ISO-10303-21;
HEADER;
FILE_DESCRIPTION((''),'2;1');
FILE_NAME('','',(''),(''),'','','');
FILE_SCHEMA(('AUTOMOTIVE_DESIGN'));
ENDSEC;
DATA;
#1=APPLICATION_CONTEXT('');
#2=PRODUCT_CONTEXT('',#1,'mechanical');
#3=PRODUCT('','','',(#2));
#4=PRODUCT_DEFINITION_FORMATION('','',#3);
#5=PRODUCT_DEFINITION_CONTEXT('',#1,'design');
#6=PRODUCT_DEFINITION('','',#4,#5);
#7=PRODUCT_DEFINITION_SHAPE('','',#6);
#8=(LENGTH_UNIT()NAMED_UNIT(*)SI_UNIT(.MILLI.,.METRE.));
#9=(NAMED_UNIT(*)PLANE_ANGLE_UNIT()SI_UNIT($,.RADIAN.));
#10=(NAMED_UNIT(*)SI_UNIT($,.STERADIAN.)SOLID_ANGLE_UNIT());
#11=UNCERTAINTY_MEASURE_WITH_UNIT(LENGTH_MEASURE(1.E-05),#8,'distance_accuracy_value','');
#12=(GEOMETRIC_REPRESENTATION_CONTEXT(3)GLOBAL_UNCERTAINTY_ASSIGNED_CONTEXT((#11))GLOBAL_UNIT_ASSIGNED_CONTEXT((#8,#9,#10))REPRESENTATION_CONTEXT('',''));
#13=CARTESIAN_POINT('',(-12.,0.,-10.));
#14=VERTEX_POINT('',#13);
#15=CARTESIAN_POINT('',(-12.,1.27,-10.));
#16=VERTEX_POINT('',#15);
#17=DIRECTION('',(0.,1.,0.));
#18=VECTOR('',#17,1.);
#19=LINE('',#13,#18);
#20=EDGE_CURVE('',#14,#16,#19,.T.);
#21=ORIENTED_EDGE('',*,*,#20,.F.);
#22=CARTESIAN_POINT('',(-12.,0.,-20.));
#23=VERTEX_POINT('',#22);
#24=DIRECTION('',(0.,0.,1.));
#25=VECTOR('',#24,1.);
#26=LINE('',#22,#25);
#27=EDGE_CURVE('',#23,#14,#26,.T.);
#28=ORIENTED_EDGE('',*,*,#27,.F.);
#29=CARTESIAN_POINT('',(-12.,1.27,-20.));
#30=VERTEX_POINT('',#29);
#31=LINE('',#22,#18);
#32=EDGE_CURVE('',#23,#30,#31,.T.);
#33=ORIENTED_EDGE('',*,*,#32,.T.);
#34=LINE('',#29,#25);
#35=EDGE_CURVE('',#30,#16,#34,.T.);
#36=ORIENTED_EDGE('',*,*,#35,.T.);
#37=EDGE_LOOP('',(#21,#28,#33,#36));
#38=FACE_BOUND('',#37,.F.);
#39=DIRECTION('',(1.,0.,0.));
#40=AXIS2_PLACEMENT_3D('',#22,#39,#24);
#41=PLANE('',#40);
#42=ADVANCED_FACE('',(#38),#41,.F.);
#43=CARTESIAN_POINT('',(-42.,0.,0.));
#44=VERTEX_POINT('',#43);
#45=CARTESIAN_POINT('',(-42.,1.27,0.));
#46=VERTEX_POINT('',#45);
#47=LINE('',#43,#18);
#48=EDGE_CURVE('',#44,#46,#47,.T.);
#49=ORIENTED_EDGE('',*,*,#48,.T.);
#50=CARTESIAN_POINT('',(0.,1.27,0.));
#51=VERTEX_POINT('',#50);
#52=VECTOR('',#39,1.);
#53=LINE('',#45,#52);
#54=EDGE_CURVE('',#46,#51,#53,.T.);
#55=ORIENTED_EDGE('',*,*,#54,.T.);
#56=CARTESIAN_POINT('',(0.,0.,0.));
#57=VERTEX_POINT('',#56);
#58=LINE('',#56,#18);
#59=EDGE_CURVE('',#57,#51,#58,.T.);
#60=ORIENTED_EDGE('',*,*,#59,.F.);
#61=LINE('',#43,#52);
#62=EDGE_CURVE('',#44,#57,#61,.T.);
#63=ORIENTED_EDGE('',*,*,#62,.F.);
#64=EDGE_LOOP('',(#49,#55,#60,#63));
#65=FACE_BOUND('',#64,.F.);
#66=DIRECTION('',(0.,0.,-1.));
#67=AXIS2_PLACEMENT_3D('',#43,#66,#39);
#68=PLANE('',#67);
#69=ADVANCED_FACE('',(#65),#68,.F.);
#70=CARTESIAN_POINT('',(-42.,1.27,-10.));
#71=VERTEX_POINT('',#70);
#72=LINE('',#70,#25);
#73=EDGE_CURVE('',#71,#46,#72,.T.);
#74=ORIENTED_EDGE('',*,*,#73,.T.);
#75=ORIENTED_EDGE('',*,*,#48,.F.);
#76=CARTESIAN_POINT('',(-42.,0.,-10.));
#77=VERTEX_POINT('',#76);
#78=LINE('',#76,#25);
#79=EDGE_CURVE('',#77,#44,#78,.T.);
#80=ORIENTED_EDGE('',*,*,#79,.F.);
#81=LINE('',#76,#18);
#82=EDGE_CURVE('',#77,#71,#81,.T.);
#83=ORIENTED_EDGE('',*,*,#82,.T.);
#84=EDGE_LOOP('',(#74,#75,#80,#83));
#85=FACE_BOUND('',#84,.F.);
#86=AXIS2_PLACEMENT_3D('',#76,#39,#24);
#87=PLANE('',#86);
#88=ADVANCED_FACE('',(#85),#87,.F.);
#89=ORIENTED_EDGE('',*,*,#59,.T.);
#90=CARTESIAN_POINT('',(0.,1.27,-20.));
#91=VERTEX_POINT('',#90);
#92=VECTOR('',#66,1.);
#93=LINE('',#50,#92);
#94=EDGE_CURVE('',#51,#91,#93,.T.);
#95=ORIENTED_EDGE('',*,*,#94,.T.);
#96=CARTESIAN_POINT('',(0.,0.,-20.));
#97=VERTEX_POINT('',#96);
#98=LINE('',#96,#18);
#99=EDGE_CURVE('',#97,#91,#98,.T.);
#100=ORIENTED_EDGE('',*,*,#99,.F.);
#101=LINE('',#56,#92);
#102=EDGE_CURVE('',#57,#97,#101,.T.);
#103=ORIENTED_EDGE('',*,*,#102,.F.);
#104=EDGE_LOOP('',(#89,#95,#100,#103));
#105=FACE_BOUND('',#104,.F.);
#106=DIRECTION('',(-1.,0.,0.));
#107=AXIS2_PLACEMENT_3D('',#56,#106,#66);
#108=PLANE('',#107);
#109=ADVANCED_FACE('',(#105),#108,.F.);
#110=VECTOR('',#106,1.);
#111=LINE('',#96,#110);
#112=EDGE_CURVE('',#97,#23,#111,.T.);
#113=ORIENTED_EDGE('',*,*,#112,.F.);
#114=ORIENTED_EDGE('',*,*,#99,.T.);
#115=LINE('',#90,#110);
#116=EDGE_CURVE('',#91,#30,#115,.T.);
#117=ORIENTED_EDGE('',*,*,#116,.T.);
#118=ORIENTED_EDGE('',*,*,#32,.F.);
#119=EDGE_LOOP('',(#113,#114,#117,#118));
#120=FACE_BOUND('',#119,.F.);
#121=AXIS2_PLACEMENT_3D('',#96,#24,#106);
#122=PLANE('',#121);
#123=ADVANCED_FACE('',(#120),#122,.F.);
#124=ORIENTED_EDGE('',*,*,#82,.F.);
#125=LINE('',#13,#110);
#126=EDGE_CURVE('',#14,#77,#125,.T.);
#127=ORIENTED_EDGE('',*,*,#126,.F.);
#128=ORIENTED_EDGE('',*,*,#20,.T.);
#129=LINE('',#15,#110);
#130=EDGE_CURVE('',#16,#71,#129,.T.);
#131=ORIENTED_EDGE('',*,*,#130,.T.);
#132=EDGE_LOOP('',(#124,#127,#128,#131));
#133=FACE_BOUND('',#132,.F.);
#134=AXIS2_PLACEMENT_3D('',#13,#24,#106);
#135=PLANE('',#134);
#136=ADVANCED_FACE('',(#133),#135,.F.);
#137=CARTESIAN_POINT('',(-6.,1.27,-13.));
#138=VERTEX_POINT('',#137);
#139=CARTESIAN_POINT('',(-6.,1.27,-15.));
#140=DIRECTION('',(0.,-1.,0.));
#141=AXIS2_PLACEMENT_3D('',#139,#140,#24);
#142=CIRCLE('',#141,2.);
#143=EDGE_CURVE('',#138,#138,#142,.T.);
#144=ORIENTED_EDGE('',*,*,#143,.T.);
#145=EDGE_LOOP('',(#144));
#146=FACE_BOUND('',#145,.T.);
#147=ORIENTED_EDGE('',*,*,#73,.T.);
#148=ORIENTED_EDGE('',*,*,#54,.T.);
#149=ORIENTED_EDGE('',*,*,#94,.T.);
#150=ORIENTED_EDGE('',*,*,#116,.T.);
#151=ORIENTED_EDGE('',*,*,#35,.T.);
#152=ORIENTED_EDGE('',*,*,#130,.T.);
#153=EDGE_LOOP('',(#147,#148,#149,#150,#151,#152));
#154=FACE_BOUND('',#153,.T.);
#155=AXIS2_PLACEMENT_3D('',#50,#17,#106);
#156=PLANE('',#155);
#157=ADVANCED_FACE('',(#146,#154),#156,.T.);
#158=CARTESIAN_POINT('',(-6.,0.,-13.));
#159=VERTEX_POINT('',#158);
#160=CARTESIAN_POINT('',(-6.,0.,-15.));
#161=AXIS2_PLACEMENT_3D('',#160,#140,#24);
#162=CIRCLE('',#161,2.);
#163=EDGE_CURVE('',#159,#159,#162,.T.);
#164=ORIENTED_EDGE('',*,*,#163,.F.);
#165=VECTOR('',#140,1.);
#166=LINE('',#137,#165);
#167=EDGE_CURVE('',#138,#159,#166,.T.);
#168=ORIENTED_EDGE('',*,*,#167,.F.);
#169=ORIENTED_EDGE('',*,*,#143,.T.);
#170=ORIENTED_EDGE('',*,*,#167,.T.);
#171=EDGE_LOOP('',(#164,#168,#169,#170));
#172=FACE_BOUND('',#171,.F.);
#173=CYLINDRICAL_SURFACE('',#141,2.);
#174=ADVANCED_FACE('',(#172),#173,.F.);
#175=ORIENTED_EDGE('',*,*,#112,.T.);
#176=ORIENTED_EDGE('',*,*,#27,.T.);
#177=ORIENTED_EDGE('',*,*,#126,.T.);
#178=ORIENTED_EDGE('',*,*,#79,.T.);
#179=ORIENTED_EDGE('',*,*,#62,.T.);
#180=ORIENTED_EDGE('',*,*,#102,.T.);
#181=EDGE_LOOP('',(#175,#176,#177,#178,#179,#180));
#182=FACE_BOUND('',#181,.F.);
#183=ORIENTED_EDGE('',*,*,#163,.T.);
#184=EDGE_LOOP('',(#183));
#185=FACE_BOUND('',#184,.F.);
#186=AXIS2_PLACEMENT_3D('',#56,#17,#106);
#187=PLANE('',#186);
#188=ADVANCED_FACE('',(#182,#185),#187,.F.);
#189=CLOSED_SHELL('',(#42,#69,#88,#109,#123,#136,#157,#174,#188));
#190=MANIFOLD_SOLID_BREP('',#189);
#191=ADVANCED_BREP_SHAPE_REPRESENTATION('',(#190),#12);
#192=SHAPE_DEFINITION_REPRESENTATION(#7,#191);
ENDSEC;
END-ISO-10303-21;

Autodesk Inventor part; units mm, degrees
ref_plane "YZ Plane" through (0, 0, 0) normal (1, 0, 0) x (0, 1, 0)
ref_plane "XZ Plane" through (0, 0, 0) normal (0, 1, 0) x (-1, 0, 0)
ref_plane "XY Plane" through (0, 0, 0) normal (0, 0, 1) x (1, 0, 0)
sketch "Sketch1" plane through (0, 0, 0) normal (0, 1, 0) x (-1, 0, 0)
  line L0 (0, 0) -> (0, -20)
  line L1 (42, 0) -> (0, 0)
  line L2 (42, -10) -> (42, 0)
  line L3 (12, -10) -> (42, -10)
  line L4 (12, -20) -> (12, -10)
  line L5 (0, -20) -> (12, -20)
extrude "Extrusion1" add sketch "Sketch1" along normal blind 1.27
sketch "Sketch2" plane through (0, 1.27, 0) normal (0, 1, 0) x (1, 0, 0)
  point P0 (-6, 15)
hole "Hole1" at (-6, 1.27, -15) direction (0, -1, 0) diameter 4 depth 1.27
properties part number "Y-axis Carriage Flag" material "ABS Plastic"
